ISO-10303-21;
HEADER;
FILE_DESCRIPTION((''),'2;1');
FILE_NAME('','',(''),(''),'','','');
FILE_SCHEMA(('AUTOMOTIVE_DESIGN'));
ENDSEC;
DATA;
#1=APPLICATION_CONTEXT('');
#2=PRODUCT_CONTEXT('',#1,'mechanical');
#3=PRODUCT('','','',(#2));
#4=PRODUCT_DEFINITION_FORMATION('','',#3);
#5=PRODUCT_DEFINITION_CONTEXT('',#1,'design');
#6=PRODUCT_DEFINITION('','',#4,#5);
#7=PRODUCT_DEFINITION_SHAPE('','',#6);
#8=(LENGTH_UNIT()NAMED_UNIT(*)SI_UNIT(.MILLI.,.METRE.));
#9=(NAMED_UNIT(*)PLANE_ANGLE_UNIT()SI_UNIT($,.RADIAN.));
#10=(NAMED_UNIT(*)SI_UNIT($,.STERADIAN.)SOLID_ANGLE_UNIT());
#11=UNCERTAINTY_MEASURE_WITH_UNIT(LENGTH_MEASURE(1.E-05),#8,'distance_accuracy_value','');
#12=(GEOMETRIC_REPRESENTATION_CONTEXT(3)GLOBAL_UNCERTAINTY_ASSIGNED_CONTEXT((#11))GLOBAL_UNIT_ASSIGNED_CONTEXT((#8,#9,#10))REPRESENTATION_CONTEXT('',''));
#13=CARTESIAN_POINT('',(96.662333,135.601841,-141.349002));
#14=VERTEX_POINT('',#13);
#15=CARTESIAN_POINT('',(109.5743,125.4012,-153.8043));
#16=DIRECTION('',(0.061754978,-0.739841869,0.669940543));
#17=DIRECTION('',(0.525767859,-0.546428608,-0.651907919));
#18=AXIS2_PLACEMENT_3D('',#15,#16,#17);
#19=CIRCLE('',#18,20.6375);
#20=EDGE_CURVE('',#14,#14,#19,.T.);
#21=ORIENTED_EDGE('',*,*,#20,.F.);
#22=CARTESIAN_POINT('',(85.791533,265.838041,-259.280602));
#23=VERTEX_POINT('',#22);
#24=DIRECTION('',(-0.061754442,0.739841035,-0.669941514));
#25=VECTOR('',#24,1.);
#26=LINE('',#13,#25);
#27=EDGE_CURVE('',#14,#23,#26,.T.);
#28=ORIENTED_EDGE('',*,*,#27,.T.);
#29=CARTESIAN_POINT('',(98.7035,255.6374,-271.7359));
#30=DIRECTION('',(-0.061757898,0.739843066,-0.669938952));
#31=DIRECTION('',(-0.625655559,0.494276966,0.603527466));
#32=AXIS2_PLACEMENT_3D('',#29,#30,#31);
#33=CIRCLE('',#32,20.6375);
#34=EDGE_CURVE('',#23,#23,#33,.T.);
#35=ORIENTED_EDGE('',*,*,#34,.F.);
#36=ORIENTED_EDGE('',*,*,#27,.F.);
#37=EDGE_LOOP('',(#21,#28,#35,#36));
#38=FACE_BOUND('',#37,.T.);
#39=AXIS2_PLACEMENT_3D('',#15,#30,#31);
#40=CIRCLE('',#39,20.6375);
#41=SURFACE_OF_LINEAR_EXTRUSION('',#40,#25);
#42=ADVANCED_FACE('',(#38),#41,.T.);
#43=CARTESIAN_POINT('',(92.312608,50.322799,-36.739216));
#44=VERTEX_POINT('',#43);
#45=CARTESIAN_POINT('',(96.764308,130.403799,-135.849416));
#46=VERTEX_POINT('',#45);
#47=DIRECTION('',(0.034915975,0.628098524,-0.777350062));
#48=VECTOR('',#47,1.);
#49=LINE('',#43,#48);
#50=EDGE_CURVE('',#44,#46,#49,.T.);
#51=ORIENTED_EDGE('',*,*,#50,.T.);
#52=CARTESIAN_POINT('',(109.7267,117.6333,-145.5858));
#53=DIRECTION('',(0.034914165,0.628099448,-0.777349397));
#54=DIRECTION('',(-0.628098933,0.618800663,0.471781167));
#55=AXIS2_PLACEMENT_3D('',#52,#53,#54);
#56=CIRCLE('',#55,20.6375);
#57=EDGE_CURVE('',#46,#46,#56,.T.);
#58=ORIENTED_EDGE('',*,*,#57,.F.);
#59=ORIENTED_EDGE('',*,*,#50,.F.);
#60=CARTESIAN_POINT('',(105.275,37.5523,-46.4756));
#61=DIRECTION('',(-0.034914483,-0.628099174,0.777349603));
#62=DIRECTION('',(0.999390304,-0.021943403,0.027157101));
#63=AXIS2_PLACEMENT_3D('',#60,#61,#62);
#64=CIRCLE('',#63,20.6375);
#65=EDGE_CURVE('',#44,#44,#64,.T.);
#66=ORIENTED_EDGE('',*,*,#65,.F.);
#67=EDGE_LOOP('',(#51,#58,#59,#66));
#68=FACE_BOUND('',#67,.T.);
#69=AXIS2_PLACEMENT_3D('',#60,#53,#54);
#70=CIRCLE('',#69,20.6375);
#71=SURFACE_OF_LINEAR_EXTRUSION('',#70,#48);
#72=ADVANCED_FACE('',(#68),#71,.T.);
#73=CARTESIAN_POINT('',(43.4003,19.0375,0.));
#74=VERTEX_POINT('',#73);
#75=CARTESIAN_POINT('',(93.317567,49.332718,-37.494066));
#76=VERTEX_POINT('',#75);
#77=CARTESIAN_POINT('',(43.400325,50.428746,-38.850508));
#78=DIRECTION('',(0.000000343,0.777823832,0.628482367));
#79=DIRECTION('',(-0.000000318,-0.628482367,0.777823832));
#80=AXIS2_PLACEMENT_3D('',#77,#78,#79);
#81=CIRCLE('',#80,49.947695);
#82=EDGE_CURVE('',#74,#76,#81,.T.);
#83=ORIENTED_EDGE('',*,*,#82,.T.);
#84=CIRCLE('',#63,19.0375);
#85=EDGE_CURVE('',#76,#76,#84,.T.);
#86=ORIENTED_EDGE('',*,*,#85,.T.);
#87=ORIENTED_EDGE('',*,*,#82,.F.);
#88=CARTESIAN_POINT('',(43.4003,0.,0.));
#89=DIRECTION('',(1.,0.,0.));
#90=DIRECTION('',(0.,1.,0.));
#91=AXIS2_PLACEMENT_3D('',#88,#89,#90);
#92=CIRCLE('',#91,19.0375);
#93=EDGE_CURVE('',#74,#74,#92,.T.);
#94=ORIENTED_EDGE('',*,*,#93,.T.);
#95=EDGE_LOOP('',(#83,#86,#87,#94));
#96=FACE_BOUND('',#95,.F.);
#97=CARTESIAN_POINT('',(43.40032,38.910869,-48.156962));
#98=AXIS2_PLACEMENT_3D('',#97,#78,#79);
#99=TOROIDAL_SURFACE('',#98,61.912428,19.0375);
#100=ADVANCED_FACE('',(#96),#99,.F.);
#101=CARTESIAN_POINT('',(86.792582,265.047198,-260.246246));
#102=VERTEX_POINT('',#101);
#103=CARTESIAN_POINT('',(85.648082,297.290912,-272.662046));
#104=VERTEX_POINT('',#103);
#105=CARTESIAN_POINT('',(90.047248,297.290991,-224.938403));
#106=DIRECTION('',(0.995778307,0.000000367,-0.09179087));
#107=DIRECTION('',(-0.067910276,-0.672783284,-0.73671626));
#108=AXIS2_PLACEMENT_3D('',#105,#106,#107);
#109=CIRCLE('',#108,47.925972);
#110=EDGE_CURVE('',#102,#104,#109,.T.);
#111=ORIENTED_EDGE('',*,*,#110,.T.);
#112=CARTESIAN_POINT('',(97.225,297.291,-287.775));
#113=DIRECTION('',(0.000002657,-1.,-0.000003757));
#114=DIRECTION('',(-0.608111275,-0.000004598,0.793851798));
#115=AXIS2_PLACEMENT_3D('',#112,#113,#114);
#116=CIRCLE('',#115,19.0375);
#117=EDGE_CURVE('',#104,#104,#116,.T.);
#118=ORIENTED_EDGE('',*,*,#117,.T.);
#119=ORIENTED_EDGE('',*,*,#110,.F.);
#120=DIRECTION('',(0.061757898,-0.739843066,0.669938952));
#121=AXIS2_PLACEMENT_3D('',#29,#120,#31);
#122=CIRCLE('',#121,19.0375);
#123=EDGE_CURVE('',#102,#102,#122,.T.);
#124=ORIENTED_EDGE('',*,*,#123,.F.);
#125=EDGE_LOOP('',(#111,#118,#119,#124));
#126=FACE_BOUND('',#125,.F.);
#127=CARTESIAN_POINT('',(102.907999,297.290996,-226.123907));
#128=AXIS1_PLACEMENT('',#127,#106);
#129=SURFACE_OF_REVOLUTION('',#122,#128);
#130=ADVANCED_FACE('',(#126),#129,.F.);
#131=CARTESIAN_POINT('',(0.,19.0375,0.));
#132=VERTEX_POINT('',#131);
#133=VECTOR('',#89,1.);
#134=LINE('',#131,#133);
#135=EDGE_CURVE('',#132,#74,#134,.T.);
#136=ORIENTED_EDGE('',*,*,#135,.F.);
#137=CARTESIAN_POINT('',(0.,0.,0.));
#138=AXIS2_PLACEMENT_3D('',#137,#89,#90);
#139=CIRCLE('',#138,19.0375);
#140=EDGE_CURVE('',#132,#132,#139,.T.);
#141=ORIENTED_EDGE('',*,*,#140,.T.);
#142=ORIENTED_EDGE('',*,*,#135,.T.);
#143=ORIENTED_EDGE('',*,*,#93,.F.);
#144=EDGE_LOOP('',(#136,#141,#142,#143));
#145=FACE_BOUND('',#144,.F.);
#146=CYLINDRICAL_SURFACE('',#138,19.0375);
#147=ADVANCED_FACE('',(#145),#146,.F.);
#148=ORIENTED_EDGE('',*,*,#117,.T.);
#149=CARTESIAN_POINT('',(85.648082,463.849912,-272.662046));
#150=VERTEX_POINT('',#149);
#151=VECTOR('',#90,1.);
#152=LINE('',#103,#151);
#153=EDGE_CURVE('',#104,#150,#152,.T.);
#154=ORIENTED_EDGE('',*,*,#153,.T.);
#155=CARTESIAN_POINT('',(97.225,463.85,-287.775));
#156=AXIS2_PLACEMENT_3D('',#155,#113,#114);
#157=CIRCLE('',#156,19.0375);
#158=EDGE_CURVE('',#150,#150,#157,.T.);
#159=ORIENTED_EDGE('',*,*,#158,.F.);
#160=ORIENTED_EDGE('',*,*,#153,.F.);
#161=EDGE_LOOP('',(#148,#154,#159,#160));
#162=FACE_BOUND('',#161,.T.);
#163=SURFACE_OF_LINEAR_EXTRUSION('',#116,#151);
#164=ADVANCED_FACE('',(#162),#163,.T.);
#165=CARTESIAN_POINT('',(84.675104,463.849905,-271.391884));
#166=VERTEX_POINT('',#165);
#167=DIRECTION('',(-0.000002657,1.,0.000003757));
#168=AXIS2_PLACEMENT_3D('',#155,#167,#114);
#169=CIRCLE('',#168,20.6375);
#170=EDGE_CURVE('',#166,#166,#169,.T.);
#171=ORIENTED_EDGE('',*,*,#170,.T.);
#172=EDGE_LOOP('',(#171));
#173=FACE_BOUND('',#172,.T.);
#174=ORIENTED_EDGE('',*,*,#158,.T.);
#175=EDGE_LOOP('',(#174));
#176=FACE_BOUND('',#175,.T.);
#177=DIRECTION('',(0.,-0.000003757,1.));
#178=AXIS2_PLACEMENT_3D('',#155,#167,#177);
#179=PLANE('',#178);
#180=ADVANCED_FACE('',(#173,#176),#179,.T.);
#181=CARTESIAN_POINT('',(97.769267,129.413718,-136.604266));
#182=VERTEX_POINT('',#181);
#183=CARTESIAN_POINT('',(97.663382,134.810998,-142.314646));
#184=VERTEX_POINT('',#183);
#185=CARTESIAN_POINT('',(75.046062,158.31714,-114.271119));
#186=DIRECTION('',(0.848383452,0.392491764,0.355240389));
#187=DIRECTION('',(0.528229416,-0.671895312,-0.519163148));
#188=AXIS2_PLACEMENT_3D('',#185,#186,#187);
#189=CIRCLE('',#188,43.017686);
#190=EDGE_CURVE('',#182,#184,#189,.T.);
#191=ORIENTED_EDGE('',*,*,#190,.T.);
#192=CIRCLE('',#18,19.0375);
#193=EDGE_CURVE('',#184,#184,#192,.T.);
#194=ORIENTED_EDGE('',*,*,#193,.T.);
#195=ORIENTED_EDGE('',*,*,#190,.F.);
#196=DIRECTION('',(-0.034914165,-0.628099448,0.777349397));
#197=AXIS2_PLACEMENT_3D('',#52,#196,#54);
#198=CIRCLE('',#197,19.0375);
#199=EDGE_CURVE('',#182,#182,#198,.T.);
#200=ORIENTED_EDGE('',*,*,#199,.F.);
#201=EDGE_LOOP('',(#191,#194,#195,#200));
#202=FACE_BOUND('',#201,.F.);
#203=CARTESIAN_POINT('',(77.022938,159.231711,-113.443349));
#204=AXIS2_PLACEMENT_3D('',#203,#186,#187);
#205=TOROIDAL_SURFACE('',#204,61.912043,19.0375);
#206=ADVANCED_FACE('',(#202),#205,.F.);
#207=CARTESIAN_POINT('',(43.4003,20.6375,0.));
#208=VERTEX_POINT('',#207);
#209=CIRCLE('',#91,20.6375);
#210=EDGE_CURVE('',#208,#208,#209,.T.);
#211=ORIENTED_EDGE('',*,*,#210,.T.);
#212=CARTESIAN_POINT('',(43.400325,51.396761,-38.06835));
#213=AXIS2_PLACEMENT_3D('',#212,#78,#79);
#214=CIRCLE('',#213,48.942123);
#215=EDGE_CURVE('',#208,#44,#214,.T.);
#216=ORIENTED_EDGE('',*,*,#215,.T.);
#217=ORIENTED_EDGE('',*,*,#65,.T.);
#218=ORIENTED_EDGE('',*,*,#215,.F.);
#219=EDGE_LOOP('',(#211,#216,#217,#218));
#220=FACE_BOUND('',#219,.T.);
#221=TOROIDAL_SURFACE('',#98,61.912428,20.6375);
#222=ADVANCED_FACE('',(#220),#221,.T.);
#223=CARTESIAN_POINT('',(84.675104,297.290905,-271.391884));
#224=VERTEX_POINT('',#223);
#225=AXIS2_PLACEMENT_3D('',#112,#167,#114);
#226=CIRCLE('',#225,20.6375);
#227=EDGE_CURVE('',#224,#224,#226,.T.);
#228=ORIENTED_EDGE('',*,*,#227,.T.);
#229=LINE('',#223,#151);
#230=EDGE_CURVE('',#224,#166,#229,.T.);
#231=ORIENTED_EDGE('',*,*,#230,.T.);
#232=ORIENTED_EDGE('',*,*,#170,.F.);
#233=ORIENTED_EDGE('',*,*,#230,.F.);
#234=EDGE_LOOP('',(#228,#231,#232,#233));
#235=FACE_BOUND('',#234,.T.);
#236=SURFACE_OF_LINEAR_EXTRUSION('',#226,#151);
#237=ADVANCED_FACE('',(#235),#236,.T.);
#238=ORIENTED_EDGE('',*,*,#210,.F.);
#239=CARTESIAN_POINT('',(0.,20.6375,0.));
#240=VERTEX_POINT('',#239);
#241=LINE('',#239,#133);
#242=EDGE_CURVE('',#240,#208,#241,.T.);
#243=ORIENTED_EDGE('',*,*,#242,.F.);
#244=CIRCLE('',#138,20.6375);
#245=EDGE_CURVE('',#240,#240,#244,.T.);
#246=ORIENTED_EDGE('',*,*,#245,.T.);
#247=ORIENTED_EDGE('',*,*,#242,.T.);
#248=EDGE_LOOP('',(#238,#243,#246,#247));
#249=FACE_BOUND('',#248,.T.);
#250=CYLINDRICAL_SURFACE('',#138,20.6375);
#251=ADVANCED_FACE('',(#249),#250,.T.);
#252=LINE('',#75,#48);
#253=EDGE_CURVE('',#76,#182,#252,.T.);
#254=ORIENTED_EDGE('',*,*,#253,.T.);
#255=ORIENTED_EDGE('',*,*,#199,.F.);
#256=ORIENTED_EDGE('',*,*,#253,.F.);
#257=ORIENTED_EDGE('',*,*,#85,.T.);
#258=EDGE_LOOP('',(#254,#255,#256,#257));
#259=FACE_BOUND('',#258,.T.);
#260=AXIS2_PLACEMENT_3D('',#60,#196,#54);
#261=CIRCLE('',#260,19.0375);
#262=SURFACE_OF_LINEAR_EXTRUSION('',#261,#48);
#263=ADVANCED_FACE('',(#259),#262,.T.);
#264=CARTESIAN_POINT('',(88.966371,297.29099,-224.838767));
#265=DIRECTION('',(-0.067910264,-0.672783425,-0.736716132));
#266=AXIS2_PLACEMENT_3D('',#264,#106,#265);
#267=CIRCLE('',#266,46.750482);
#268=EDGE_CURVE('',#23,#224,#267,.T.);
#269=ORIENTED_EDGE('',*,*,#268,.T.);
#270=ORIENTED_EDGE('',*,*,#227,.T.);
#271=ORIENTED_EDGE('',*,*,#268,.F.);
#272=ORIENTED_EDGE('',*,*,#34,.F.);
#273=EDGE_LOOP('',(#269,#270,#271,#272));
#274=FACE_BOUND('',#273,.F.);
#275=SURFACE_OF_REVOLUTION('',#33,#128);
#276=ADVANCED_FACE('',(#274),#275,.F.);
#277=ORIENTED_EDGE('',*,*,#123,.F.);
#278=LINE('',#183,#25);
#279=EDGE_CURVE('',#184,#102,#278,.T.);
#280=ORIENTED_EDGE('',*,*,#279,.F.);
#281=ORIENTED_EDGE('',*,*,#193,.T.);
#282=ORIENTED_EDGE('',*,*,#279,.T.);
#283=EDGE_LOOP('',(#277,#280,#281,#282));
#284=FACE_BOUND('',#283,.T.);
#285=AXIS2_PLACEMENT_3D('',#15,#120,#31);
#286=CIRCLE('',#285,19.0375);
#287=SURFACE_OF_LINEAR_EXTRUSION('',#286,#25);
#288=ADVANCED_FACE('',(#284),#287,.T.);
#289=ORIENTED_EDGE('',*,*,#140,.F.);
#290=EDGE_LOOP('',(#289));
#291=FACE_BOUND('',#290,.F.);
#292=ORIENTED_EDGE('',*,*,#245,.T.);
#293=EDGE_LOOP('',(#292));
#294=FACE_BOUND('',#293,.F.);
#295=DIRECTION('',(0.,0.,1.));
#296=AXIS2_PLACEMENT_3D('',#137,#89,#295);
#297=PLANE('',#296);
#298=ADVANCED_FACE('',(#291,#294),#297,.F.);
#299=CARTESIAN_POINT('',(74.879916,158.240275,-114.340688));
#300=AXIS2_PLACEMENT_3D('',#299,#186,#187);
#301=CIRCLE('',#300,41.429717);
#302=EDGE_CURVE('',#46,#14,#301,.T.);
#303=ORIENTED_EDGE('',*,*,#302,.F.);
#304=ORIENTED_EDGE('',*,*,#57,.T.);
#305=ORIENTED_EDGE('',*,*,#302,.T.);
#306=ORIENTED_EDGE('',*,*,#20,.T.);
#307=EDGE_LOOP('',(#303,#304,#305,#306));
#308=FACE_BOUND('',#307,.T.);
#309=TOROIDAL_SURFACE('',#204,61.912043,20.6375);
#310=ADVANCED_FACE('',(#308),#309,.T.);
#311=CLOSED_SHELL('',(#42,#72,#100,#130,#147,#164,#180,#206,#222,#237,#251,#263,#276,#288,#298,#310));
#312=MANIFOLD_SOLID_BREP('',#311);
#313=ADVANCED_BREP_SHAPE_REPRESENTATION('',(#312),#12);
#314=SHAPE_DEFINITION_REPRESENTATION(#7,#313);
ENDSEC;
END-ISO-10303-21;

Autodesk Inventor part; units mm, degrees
sketch "Sketch1" plane through (0, 0, 0) normal (1, 0, 0) x (0, 1, 0)
  line L0 (0, 0) -> (121.2, -150)
  line L1 (121.2, -150) -> (273.35, -287.775)
  line L2 (273.35, -287.775) -> (463.85, -287.775)
  line L3 (0, 0) -> (0, -103.1875) construction
  line L4 (0, -103.1875) -> (121.2, -109.925) construction
  line L5 (121.2, -109.925) -> (273.35, -97.225) construction
  line L6 (273.35, -97.225) -> (463.85, -97.225) construction
  dimension "d0" = 287.775
  dimension "d4" = 150
  dimension "d5" = 463.85
  dimension "d6" = 103.1875
  dimension "d7" = 97.225
  dimension "d8" = 109.925
  dimension "d19" = 121.2
  dimension "d20" = 190.5
ref_plane "Work Plane1" through (103.1875, 0, 0) normal (1, 0, 0) x (0, 1, 0)
ref_plane "Work Plane2" through (109.925, 0, 0) normal (1, 0, 0) x (0, 1, 0)
ref_plane "Work Plane3" through (97.225, 0, 0) normal (1, 0, 0) x (0, 1, 0)
sketch "Sketch2" plane through (103.1875, 0, 0) normal (1, 0, 0) x (0, 1, 0)
  point P0 (0, 0)
  point P1 (0, 0)
sketch "Sketch3" plane through (109.925, 0, 0) normal (1, 0, 0) x (0, 1, 0)
  point P0 (0, 0)
  point P1 (121.2, -150)
  point P2 (273.35, -287.775)
sketch "Sketch4" plane through (97.225, 0, 0) normal (1, 0, 0) x (0, 1, 0)
  point P0 (0, 0)
  point P1 (463.85, -287.775)
  point P2 (273.35, -287.775)
sketch "Sketch5" plane through (0, 0, 0) normal (1, 0, 0) x (0, 1, 0)
  circle A0 centre (0, 0) radius 20.6375
  circle A1 centre (0, 0) radius 19.0375
  dimension "d15" = 1.6
  dimension "d17" = 41.275
sketch3d "3D Sketch1"
  line L0 (0, 0, 0) -> (43.4003, 0, 0)
  arc A0 (43.4003, 0, 0) -> (105.275, 37.5523, -46.4756) centre (43.4003, 38.9109, -48.157) ccw
  line L1 (105.275, 37.5523, -46.4756) -> (109.7267, 117.6333, -145.5858)
  arc A1 (109.7267, 117.6333, -145.5858) -> (109.5743, 125.4012, -153.8043) centre (77.0227, 159.232, -113.4431) ccw
  line L2 (109.5743, 125.4012, -153.8043) -> (98.7035, 255.6374, -271.7359)
  arc A2 (98.7035, 255.6374, -271.7359) -> (97.225, 297.291, -287.775) centre (102.908, 297.291, -226.1239) ccw
  line L3 (97.225, 297.291, -287.775) -> (97.225, 463.85, -287.775)
  dimension "d12" = 61.9125
  dimension "d13" = 61.9125
  dimension "d14" = 61.9125
sweep "Sweep1" add profiles "Sketch5" path "3D Sketch1"
equation "\"d13\" = d12"
equation "\"d14\" = d12"
equation "\"d9\" = d6"
equation "\"d10\" = d8"
equation "\"d11\" = d7"
properties part number "exhaust header right pipe 1" material "Steel"
